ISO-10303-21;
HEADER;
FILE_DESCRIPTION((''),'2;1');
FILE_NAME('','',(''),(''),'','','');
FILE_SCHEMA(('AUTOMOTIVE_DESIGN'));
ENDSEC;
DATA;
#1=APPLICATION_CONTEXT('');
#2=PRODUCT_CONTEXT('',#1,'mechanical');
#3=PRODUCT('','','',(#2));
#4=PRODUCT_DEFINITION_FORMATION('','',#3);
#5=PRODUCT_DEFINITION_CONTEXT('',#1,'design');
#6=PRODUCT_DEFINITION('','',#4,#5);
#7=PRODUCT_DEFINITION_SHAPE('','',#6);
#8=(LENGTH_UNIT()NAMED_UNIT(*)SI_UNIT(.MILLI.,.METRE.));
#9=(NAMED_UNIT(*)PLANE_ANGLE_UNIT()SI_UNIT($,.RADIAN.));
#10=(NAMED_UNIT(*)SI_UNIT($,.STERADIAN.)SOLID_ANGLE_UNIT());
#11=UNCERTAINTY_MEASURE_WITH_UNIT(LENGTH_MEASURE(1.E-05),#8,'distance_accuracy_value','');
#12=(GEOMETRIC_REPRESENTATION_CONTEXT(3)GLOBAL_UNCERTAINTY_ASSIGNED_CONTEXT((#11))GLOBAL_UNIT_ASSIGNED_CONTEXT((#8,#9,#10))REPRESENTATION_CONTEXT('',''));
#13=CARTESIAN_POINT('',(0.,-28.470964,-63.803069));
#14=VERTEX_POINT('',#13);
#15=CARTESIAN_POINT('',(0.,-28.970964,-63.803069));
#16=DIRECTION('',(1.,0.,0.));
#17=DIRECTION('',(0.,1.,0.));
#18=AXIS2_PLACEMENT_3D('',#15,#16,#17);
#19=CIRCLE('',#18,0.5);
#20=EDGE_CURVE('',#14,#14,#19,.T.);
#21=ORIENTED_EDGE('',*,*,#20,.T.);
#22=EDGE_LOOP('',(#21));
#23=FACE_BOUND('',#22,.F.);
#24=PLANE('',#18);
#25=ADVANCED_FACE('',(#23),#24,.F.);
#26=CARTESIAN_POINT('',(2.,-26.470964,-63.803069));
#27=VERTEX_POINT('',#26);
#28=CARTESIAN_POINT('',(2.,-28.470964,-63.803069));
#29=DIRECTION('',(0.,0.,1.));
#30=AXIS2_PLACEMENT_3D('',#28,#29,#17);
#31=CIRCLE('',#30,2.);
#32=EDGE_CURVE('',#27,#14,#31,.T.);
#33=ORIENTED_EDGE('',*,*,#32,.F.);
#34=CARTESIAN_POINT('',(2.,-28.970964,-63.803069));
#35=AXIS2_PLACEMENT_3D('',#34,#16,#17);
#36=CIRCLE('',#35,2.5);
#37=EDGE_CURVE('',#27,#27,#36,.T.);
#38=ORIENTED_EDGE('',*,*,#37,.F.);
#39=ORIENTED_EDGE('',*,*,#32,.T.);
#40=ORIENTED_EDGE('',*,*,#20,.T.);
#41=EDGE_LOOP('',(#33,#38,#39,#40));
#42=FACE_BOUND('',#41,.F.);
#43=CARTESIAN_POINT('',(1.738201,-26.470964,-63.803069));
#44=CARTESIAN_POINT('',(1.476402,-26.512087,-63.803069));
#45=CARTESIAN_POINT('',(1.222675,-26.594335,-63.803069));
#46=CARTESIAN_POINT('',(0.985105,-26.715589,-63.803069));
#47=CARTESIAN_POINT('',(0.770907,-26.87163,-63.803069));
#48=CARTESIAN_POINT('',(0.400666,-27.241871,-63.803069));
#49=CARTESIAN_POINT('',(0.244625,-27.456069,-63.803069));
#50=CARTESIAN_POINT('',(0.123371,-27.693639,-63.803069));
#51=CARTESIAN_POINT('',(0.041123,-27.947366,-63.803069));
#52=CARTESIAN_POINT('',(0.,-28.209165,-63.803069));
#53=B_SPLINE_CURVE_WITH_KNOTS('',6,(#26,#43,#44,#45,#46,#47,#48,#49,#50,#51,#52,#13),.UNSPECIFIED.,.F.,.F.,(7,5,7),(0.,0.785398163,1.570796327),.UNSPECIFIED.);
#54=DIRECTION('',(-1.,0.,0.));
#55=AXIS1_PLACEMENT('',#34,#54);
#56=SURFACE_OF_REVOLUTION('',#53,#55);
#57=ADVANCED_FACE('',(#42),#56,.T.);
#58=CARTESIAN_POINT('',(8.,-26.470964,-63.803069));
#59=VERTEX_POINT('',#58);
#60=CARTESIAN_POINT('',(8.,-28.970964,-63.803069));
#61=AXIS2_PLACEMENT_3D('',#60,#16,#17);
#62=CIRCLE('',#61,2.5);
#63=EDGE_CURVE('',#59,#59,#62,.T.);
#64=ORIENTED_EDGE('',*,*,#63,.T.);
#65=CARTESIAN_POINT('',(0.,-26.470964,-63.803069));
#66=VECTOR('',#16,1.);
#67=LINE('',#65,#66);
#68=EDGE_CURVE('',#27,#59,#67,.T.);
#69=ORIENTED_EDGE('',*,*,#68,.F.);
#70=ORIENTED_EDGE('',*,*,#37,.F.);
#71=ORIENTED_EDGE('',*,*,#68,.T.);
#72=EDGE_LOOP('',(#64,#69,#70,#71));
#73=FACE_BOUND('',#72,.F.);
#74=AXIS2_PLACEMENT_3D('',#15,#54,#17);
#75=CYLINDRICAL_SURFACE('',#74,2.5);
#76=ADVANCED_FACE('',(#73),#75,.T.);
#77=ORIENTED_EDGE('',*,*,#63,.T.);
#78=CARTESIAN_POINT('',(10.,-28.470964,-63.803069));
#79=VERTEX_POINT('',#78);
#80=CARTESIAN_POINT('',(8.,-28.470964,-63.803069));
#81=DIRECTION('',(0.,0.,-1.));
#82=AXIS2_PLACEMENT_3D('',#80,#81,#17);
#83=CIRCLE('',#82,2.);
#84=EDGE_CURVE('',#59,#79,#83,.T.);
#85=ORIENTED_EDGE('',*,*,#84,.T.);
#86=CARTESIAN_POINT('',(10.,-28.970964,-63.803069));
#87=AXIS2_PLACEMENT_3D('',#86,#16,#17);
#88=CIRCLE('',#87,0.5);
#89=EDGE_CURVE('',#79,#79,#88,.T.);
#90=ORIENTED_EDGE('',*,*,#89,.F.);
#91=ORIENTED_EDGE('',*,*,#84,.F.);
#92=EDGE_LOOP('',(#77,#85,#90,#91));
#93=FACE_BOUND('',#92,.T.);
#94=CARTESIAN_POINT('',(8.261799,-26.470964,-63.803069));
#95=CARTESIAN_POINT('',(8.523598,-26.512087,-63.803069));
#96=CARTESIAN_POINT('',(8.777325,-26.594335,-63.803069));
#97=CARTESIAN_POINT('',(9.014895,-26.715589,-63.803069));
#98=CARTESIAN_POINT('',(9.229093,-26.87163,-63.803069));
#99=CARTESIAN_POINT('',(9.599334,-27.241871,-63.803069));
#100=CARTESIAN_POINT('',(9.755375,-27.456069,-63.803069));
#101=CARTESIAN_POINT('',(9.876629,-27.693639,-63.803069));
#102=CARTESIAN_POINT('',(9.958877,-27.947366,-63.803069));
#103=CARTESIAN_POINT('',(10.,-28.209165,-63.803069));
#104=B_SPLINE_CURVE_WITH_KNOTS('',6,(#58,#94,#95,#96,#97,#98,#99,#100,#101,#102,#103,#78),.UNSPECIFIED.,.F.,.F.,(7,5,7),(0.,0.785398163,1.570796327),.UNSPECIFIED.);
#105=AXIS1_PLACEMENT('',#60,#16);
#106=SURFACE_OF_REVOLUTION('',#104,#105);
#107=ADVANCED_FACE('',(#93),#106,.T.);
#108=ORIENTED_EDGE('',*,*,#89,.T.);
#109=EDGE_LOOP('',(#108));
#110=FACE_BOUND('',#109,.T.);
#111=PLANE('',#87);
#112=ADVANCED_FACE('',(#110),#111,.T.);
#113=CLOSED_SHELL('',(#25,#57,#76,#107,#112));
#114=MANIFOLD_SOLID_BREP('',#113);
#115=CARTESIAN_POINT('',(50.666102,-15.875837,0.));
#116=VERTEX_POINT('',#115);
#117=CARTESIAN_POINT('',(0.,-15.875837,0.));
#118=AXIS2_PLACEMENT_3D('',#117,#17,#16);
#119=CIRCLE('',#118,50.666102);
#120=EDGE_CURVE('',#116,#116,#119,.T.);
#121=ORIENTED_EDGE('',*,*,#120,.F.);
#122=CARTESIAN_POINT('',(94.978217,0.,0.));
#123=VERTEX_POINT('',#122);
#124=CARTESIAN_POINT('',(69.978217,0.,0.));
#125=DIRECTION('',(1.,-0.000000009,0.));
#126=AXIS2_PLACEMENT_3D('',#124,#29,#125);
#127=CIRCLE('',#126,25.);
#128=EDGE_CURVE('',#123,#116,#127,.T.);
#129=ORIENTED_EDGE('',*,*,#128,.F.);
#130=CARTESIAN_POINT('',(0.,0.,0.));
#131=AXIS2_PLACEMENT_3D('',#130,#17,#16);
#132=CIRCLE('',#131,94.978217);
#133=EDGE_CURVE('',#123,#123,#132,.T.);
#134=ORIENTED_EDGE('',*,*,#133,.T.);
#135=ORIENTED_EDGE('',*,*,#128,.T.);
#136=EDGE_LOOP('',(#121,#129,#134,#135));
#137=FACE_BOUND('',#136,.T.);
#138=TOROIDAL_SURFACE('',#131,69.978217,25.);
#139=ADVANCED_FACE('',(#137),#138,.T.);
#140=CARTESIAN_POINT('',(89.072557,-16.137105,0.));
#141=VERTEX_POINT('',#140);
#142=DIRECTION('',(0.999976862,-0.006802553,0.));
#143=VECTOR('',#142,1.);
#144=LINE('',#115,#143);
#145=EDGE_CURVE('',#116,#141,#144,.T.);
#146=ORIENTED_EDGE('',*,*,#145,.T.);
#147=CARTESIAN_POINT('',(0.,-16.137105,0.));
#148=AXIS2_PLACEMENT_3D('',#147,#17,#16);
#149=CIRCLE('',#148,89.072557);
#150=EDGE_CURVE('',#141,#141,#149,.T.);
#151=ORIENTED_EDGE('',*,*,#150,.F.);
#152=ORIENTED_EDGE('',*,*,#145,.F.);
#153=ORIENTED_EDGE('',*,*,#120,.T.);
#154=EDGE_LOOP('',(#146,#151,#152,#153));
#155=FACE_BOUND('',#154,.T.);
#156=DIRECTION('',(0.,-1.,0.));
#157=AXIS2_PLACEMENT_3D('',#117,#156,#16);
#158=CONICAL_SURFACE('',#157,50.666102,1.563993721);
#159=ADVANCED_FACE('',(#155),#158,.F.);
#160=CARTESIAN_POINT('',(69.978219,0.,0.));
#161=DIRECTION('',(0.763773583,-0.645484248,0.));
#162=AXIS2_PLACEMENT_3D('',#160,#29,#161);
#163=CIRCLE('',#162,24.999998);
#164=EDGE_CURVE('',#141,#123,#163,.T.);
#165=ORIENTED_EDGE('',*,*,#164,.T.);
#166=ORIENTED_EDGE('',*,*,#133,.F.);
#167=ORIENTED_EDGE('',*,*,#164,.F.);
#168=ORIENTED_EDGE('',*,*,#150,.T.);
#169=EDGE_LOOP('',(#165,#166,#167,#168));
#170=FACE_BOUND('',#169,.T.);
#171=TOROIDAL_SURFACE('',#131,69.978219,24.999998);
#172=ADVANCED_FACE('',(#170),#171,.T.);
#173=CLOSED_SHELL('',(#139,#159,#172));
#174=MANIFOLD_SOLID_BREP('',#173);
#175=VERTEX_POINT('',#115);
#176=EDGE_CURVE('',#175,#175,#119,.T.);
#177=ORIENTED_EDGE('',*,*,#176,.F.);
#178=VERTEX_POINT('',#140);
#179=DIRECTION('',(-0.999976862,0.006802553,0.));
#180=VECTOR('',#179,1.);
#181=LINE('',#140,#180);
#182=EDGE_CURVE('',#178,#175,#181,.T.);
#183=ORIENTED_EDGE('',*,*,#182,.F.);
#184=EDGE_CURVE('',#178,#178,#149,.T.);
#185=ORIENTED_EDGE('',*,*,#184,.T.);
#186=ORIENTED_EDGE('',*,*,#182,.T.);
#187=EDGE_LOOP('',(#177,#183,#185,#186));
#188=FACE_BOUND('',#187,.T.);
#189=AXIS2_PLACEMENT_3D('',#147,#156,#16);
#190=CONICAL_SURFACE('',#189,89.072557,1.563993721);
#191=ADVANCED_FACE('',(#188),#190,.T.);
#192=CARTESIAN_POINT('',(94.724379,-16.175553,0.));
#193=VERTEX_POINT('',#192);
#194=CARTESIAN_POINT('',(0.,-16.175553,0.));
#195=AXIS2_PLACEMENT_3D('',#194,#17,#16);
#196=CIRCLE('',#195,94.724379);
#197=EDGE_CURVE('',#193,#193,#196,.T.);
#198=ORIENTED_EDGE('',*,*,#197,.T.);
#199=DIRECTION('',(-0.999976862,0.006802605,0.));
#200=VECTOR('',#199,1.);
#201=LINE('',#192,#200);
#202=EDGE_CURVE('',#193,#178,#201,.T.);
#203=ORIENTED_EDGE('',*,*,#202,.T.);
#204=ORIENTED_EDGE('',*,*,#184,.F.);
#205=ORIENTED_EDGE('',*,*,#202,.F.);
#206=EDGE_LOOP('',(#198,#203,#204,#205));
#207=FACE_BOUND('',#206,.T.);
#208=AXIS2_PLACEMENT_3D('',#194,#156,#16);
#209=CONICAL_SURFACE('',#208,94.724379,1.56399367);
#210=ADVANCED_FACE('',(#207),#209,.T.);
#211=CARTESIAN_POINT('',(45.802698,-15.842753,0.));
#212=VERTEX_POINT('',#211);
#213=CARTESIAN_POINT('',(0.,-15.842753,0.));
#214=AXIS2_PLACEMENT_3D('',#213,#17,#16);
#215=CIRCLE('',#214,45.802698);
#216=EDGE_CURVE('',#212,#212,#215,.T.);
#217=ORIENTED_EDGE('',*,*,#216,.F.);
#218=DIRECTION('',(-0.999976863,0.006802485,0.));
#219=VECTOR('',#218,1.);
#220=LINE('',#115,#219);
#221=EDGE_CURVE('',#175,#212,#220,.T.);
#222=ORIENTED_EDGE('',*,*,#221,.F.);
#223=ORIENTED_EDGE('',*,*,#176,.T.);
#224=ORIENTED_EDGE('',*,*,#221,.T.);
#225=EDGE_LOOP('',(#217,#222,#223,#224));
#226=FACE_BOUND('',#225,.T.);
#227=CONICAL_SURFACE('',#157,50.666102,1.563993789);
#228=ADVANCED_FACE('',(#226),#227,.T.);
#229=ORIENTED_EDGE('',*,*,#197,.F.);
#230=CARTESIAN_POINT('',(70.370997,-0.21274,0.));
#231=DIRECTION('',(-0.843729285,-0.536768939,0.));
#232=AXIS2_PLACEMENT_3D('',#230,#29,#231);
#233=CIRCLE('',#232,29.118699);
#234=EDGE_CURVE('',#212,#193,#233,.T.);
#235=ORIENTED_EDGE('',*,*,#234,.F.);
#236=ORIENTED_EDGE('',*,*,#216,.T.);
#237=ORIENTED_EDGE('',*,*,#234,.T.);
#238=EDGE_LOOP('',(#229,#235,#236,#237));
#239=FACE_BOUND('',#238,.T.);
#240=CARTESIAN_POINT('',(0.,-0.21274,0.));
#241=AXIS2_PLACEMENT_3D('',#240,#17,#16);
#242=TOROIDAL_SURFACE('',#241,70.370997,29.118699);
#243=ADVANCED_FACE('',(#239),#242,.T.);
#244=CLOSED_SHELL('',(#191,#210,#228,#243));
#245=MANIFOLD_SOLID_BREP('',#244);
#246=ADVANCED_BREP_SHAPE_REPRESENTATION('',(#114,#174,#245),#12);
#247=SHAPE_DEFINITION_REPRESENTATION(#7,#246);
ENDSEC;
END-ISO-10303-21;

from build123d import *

# Parameters (mm, degrees)
F3_R     = 2.5
F4_DEPTH = 10
F5_R     = 2


with BuildPart() as f1:
    # F0 (on Top) → F1 (revolve)
    with BuildSketch(Plane.XY):
        with BuildLine():
            ThreePointArc((89.072557, -16.137105), (93.455424, -8.5919), (94.978217, 0))
            ThreePointArc((94.978217, 0), (61.546221, 23.535111), (50.666102, -15.875837))
            Line((50.666102, -15.875837), (89.072557, -16.137105))
        make_face()
    revolve(axis=Axis((0, 1.320562, 0), (0, 1, 0)))


with BuildPart() as f2:
    # F0 (on Top) → F2 (revolve)
    with BuildSketch(Plane.XY):
        with BuildLine():
            Line((89.072557, -16.137105), (50.666102, -15.875837))
            ThreePointArc((50.666102, -15.875837), (69.808153, -24.999422), (89.072557, -16.137105))
        make_face()
        with BuildLine():
            ThreePointArc((89.072557, -16.137105), (69.808153, -24.999422), (50.666102, -15.875837))
            Line((50.666102, -15.875837), (45.802698, -15.842753))
            ThreePointArc((45.802698, -15.842753), (70.172915, -29.330765), (94.724379, -16.175553))
            Line((94.724379, -16.175553), (89.072557, -16.137105))
        make_face()
    revolve(axis=Axis((0, 1.320562, 0), (0, 1, 0)))


with BuildPart() as f4:
    # F3 (on Right) → F4 (new body)
    with BuildSketch(Plane.YZ):
        with Locations((-28.970964, -63.803069)):
            Circle(F3_R)
    extrude(amount=F4_DEPTH)

    # F5
    f5_edges = [f4.edges().sort_by_distance(p)[0] for p in [
        (0, -31.470964, -63.803069),
        (10, -31.470964, -63.803069),
    ]]
    fillet(f5_edges, radius=F5_R)


solid = Compound([f1.part, f2.part, f4.part])
